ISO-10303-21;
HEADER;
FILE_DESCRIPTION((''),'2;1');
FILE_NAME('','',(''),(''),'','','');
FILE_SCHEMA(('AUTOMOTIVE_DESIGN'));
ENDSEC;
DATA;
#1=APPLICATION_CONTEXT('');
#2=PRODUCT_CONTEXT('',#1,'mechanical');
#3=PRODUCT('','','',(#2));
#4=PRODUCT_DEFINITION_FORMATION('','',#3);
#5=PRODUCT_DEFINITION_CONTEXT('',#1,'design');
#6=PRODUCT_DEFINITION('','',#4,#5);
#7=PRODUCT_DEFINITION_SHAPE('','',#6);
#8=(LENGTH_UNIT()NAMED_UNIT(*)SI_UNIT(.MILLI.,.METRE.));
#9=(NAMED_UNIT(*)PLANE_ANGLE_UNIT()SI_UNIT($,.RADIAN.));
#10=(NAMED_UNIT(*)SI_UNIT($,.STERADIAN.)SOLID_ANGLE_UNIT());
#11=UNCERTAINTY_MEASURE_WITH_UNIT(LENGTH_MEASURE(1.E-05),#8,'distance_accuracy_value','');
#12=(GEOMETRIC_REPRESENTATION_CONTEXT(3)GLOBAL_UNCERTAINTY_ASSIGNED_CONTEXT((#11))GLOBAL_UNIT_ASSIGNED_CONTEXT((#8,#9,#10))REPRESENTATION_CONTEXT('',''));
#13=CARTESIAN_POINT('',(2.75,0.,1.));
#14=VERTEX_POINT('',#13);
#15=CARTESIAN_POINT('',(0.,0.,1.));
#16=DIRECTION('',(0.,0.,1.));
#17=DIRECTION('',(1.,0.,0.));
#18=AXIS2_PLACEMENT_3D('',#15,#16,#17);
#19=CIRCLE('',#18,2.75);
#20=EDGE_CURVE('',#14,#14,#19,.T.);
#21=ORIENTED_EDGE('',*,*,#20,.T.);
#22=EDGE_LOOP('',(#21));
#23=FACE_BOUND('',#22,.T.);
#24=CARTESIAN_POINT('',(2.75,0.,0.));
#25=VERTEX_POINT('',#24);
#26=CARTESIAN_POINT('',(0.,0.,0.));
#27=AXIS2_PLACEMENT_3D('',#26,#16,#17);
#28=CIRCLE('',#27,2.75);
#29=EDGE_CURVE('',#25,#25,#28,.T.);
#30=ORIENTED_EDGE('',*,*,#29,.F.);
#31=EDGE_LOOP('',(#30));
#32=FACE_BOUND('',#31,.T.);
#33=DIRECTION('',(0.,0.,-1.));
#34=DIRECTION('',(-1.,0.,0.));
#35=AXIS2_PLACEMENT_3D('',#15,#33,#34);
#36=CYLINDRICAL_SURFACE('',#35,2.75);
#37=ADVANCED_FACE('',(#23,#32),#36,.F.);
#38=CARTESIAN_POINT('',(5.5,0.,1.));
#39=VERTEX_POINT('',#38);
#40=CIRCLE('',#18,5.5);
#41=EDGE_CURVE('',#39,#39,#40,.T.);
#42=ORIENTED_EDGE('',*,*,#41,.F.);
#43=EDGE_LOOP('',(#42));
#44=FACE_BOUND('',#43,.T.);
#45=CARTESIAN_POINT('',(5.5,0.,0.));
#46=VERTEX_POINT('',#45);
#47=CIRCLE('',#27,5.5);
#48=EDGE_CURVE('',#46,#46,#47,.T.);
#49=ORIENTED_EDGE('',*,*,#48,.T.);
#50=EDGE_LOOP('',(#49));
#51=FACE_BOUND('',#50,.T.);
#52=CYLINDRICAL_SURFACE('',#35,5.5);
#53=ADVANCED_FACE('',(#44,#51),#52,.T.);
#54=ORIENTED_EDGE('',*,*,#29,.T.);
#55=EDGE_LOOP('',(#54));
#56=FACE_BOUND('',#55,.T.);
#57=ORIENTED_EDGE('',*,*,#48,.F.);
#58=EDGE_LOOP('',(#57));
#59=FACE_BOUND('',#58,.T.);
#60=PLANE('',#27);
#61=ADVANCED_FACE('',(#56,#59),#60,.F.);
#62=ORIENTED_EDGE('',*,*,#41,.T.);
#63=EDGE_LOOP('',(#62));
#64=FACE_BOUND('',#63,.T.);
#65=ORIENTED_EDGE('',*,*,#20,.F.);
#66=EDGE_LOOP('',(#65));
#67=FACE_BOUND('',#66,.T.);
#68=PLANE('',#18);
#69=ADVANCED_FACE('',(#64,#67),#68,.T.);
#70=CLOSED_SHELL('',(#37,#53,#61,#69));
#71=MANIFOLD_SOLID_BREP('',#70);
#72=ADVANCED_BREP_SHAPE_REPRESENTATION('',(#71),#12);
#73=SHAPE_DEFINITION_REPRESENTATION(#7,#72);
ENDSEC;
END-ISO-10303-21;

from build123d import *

# Parameters (mm, degrees)
SKETCH_1_R      = 5.5
SKETCH_1_R_2    = 2.75
EXTRUDE_1_DEPTH = 1


with BuildPart() as part:
    # Эскиз1 → Бобышка-Вытянуть1 (new body)
    with BuildSketch(Plane.XY):
        Circle(SKETCH_1_R)
        Circle(SKETCH_1_R_2, mode=Mode.SUBTRACT)
    extrude(amount=EXTRUDE_1_DEPTH)


solid = part.part
